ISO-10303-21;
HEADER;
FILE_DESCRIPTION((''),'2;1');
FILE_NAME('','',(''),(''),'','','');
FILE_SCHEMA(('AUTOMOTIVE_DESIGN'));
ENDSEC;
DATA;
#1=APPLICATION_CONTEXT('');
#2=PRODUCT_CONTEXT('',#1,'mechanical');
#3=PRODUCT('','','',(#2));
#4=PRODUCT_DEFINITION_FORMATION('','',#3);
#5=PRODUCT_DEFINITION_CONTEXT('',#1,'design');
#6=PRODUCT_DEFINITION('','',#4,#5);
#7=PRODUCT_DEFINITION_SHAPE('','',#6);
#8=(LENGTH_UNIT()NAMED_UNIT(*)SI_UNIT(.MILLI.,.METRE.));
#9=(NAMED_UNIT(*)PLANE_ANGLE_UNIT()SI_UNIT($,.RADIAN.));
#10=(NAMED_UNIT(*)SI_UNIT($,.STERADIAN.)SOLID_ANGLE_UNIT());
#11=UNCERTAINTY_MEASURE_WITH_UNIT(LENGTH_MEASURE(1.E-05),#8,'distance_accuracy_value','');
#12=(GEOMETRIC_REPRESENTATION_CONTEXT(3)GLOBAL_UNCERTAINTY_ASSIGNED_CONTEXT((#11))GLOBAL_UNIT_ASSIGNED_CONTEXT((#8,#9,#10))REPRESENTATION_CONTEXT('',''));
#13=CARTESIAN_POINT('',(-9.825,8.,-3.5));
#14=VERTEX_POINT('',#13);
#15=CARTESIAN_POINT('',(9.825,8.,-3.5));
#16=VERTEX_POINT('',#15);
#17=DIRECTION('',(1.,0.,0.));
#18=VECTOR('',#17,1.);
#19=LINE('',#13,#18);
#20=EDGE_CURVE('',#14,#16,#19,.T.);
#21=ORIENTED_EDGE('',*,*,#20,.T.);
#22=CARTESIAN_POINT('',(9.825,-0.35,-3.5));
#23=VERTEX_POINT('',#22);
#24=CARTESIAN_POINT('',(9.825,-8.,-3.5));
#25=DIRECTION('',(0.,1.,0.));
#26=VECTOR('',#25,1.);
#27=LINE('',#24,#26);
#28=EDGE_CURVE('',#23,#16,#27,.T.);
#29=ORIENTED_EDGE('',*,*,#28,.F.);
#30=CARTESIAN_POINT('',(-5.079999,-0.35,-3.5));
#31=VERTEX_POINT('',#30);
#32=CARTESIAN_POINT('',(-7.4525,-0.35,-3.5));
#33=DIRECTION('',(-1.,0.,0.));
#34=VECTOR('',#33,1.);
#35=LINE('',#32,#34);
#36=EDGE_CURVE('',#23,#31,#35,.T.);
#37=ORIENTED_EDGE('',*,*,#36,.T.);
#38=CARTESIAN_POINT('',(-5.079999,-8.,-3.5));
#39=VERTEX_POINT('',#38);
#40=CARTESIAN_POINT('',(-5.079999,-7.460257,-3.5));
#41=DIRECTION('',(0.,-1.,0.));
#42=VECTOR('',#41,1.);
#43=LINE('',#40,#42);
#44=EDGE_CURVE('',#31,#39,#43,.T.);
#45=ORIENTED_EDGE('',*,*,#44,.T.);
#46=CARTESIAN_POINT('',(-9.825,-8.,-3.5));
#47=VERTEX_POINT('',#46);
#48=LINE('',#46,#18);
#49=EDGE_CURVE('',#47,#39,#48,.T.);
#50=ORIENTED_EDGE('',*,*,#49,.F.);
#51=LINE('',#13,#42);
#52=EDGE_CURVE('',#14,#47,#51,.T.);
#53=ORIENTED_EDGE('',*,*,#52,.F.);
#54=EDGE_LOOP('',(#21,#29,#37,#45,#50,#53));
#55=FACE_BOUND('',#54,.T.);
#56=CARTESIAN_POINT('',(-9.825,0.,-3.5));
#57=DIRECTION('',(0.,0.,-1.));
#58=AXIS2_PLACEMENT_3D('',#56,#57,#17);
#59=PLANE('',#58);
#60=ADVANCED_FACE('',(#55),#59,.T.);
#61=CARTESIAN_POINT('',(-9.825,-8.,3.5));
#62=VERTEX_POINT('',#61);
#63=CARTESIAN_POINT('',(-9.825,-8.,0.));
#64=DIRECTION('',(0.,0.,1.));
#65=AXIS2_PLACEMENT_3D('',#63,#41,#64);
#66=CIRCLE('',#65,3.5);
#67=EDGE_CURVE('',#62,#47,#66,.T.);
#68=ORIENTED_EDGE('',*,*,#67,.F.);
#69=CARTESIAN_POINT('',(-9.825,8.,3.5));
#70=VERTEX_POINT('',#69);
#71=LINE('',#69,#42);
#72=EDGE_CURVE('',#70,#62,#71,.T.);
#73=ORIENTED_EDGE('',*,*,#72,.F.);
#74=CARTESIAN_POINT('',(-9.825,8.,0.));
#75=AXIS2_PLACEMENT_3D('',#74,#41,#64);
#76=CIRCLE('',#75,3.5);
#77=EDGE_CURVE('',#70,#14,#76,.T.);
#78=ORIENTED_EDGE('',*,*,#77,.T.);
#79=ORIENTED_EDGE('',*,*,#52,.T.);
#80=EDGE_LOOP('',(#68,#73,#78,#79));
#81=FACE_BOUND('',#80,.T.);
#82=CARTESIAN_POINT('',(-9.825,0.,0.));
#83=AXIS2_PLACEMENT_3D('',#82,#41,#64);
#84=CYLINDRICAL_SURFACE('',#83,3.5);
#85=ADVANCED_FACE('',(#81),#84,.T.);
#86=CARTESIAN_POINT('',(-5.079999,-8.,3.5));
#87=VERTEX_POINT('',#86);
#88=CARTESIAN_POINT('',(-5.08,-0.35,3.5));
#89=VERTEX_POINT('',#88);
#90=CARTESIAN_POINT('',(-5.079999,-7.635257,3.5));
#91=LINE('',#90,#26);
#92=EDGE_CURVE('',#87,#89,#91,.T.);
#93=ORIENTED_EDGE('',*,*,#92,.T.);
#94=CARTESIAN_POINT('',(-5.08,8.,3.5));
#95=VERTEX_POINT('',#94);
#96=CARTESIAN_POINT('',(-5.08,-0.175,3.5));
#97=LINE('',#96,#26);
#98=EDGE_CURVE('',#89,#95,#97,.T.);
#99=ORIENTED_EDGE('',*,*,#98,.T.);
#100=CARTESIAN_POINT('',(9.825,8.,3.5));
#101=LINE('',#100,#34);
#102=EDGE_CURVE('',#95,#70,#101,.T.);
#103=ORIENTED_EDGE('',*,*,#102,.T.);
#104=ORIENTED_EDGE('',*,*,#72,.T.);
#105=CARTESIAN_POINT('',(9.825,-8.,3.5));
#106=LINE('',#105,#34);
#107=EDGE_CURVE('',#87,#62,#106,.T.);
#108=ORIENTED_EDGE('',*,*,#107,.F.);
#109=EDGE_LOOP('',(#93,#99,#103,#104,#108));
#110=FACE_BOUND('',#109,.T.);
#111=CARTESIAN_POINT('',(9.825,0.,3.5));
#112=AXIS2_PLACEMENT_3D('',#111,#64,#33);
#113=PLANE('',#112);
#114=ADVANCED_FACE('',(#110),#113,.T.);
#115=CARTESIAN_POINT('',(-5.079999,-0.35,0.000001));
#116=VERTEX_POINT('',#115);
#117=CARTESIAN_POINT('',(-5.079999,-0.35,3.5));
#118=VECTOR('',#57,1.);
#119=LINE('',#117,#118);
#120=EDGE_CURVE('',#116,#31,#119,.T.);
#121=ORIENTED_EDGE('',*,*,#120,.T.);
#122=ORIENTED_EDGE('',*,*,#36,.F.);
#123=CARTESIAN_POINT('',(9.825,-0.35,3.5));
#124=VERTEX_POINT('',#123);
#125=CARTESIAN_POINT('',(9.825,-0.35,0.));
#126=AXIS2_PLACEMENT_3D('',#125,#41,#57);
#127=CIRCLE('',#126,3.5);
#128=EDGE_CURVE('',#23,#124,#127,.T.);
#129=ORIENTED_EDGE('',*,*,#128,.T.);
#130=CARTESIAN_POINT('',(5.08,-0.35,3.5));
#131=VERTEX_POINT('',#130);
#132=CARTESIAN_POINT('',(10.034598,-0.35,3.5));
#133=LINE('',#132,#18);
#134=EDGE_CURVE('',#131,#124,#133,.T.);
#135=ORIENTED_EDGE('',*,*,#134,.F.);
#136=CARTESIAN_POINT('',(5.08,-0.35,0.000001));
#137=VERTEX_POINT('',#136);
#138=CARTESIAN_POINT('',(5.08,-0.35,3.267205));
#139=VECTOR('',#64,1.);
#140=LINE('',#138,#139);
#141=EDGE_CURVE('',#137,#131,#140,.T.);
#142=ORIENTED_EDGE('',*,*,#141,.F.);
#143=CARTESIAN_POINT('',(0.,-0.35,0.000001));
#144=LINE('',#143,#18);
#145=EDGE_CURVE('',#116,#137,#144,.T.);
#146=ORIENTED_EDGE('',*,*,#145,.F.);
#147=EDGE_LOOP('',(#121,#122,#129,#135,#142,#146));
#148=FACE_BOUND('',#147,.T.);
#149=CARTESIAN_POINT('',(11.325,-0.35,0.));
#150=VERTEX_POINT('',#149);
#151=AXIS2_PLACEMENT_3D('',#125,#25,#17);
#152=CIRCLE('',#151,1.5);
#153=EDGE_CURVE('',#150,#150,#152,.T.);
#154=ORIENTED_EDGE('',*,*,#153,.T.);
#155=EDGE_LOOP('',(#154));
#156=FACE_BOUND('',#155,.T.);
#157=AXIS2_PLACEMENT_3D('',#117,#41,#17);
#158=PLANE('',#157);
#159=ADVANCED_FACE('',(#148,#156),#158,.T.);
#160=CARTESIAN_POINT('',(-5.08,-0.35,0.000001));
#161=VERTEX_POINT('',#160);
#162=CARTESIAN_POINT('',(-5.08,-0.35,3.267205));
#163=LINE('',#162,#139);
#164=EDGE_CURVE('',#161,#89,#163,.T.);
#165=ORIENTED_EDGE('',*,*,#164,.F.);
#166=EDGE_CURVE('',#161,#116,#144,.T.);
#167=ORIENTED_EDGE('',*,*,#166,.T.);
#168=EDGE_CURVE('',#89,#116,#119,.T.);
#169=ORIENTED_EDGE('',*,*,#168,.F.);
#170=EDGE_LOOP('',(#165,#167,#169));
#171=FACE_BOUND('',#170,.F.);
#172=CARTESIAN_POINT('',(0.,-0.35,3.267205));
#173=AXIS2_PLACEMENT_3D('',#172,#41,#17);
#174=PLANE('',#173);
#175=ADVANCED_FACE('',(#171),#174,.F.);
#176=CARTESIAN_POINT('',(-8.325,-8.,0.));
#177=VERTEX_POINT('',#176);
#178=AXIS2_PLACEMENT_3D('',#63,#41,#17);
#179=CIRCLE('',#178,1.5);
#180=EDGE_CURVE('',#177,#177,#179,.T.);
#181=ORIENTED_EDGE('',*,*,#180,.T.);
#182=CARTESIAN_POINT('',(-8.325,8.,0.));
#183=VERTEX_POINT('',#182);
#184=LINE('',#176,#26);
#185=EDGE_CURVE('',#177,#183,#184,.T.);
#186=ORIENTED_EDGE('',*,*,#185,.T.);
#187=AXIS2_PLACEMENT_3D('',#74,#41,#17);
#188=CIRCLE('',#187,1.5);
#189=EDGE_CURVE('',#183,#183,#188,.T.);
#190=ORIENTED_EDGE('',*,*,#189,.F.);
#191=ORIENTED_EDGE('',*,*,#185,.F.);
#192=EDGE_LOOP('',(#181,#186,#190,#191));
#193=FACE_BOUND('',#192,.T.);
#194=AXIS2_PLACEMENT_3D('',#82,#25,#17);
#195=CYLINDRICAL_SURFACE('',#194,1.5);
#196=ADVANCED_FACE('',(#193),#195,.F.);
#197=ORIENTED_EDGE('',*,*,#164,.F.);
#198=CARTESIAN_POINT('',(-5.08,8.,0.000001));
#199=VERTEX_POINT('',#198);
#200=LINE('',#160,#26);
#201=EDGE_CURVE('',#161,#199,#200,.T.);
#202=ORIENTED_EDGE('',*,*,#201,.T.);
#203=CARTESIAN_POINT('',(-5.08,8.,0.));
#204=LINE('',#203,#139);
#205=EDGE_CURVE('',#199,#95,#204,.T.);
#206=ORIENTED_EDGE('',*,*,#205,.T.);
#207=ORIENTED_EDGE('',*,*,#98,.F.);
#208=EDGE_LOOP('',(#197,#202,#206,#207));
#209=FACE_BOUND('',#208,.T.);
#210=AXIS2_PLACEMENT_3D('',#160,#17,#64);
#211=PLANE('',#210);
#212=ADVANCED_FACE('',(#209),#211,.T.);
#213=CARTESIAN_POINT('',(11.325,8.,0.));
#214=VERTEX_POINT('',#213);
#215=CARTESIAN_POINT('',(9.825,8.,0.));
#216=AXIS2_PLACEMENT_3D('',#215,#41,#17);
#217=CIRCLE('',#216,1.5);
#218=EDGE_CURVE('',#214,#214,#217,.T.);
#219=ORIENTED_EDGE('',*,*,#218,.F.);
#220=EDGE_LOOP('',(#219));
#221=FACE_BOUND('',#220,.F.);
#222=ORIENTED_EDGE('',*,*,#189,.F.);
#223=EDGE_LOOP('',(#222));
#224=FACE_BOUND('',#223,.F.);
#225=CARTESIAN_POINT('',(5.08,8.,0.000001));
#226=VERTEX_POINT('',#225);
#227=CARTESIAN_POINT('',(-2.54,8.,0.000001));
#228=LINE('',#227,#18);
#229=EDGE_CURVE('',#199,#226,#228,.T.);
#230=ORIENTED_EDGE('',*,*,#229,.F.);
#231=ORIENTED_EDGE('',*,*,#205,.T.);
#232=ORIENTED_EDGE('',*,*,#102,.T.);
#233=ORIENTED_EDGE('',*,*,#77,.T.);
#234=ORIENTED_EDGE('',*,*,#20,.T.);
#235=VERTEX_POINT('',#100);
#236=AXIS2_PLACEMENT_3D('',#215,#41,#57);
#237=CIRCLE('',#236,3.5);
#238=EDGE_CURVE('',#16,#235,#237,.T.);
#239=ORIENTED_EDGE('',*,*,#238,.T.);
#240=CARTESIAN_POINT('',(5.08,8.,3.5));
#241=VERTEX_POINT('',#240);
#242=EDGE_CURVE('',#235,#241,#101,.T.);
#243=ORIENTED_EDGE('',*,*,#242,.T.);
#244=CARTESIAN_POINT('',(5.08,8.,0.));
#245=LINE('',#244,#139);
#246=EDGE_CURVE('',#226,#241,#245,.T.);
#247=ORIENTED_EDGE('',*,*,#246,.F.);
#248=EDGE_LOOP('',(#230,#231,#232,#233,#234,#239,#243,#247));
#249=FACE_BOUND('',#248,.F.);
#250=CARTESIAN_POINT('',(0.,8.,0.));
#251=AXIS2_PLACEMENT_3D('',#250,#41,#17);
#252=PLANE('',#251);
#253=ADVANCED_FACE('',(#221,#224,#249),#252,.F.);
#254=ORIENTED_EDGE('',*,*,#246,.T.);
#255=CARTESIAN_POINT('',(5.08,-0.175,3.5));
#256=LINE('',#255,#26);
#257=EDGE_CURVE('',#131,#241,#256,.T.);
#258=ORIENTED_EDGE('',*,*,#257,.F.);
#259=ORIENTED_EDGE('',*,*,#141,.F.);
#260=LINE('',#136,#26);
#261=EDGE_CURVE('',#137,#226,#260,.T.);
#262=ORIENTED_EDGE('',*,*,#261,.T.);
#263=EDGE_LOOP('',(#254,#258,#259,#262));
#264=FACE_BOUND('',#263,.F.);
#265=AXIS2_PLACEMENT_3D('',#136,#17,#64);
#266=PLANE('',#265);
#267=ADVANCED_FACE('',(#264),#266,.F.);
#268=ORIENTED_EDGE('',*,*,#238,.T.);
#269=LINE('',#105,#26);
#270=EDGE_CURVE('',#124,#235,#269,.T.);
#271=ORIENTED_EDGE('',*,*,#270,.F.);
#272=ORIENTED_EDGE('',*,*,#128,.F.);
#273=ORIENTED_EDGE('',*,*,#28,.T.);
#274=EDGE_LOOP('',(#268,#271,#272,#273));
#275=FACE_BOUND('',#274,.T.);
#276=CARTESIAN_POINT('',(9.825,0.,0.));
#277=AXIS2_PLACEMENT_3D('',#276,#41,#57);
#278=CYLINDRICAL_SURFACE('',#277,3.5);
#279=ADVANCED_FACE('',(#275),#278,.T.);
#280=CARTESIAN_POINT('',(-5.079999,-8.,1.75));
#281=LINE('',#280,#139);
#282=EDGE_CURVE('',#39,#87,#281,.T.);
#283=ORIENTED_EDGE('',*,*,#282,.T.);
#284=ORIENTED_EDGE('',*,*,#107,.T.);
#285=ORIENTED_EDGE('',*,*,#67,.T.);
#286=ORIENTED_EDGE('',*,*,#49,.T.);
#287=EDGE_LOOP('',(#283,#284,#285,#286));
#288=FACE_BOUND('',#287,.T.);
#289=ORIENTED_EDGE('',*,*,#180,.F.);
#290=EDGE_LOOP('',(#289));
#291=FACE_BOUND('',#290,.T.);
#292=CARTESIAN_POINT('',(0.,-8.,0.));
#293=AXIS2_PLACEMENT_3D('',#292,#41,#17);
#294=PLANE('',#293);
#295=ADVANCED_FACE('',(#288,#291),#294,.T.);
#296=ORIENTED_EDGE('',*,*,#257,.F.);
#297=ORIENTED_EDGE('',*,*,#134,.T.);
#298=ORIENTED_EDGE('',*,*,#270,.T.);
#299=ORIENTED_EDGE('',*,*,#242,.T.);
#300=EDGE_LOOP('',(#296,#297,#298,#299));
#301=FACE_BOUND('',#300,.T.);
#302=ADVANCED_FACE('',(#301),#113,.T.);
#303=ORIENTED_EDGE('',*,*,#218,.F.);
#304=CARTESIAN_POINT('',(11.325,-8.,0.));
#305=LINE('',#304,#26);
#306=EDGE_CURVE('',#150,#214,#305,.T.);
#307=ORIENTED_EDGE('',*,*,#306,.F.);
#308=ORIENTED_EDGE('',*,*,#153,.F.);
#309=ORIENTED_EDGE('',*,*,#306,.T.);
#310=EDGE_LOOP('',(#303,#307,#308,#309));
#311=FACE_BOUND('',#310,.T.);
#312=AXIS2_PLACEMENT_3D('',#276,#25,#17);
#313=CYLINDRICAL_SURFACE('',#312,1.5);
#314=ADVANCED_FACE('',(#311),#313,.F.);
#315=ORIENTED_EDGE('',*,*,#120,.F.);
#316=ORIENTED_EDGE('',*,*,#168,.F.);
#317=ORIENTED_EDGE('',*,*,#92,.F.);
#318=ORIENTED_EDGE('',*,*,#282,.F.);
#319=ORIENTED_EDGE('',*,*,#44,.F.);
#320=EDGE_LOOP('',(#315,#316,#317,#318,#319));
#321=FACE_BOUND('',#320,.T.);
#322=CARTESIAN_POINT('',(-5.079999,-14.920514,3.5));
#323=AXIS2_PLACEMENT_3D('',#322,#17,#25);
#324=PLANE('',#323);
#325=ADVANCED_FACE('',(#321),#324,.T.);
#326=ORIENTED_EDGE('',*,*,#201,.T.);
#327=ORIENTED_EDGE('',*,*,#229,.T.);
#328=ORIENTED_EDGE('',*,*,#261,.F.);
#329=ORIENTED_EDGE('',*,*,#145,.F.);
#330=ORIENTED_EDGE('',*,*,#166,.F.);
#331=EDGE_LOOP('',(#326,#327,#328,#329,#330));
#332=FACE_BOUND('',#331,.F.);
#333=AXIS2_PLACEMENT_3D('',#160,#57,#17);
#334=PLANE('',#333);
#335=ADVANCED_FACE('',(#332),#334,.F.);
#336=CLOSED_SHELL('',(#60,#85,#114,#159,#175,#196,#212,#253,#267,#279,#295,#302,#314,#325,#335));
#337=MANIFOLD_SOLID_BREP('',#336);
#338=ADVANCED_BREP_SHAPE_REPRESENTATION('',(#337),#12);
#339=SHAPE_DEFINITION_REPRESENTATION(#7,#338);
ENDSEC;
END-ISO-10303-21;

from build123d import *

# Parameters (mm, degrees)
F0_R     = 1.5
F1_DEPTH = 8
F2_W     = 30.229195
F2_H     = 14.570514
F3_DEPTH = 25.4
F4_W     = 10.16
F4_H     = 6.534409
F5_DEPTH = 25.4


with BuildPart() as f1:
    # F0 (on Front) → F1 (new body, symmetric)
    with BuildSketch(Plane.XZ):
        with BuildLine():
            Line((9.825, 3.5), (-9.825, 3.5))
            ThreePointArc((-9.825, 3.5), (-13.325, 0), (-9.825, -3.5))
            Line((-9.825, -3.5), (9.825, -3.5))
            ThreePointArc((9.825, -3.5), (13.325, 0), (9.825, 3.5))
        make_face()
        with Locations((-9.825, 0)):
            Circle(F0_R, mode=Mode.SUBTRACT)
        with Locations((9.825, 0)):
            Circle(F0_R, mode=Mode.SUBTRACT)
    extrude(amount=F1_DEPTH, both=True)

    # F2 (on face) → F3 (cut)
    with BuildSketch(Plane.XY.offset(3.5)):
        with Locations((10.034598, -7.635257)):
            Rectangle(F2_W, F2_H)
    extrude(amount=-F3_DEPTH, mode=Mode.SUBTRACT)

    # F4 (on face) → F5 (cut)
    with BuildSketch(Plane.XZ.offset(0.35)):
        with Locations((0, 3.267205)):
            Rectangle(F4_W, F4_H)
    extrude(amount=-F5_DEPTH, mode=Mode.SUBTRACT)


solid = f1.part
